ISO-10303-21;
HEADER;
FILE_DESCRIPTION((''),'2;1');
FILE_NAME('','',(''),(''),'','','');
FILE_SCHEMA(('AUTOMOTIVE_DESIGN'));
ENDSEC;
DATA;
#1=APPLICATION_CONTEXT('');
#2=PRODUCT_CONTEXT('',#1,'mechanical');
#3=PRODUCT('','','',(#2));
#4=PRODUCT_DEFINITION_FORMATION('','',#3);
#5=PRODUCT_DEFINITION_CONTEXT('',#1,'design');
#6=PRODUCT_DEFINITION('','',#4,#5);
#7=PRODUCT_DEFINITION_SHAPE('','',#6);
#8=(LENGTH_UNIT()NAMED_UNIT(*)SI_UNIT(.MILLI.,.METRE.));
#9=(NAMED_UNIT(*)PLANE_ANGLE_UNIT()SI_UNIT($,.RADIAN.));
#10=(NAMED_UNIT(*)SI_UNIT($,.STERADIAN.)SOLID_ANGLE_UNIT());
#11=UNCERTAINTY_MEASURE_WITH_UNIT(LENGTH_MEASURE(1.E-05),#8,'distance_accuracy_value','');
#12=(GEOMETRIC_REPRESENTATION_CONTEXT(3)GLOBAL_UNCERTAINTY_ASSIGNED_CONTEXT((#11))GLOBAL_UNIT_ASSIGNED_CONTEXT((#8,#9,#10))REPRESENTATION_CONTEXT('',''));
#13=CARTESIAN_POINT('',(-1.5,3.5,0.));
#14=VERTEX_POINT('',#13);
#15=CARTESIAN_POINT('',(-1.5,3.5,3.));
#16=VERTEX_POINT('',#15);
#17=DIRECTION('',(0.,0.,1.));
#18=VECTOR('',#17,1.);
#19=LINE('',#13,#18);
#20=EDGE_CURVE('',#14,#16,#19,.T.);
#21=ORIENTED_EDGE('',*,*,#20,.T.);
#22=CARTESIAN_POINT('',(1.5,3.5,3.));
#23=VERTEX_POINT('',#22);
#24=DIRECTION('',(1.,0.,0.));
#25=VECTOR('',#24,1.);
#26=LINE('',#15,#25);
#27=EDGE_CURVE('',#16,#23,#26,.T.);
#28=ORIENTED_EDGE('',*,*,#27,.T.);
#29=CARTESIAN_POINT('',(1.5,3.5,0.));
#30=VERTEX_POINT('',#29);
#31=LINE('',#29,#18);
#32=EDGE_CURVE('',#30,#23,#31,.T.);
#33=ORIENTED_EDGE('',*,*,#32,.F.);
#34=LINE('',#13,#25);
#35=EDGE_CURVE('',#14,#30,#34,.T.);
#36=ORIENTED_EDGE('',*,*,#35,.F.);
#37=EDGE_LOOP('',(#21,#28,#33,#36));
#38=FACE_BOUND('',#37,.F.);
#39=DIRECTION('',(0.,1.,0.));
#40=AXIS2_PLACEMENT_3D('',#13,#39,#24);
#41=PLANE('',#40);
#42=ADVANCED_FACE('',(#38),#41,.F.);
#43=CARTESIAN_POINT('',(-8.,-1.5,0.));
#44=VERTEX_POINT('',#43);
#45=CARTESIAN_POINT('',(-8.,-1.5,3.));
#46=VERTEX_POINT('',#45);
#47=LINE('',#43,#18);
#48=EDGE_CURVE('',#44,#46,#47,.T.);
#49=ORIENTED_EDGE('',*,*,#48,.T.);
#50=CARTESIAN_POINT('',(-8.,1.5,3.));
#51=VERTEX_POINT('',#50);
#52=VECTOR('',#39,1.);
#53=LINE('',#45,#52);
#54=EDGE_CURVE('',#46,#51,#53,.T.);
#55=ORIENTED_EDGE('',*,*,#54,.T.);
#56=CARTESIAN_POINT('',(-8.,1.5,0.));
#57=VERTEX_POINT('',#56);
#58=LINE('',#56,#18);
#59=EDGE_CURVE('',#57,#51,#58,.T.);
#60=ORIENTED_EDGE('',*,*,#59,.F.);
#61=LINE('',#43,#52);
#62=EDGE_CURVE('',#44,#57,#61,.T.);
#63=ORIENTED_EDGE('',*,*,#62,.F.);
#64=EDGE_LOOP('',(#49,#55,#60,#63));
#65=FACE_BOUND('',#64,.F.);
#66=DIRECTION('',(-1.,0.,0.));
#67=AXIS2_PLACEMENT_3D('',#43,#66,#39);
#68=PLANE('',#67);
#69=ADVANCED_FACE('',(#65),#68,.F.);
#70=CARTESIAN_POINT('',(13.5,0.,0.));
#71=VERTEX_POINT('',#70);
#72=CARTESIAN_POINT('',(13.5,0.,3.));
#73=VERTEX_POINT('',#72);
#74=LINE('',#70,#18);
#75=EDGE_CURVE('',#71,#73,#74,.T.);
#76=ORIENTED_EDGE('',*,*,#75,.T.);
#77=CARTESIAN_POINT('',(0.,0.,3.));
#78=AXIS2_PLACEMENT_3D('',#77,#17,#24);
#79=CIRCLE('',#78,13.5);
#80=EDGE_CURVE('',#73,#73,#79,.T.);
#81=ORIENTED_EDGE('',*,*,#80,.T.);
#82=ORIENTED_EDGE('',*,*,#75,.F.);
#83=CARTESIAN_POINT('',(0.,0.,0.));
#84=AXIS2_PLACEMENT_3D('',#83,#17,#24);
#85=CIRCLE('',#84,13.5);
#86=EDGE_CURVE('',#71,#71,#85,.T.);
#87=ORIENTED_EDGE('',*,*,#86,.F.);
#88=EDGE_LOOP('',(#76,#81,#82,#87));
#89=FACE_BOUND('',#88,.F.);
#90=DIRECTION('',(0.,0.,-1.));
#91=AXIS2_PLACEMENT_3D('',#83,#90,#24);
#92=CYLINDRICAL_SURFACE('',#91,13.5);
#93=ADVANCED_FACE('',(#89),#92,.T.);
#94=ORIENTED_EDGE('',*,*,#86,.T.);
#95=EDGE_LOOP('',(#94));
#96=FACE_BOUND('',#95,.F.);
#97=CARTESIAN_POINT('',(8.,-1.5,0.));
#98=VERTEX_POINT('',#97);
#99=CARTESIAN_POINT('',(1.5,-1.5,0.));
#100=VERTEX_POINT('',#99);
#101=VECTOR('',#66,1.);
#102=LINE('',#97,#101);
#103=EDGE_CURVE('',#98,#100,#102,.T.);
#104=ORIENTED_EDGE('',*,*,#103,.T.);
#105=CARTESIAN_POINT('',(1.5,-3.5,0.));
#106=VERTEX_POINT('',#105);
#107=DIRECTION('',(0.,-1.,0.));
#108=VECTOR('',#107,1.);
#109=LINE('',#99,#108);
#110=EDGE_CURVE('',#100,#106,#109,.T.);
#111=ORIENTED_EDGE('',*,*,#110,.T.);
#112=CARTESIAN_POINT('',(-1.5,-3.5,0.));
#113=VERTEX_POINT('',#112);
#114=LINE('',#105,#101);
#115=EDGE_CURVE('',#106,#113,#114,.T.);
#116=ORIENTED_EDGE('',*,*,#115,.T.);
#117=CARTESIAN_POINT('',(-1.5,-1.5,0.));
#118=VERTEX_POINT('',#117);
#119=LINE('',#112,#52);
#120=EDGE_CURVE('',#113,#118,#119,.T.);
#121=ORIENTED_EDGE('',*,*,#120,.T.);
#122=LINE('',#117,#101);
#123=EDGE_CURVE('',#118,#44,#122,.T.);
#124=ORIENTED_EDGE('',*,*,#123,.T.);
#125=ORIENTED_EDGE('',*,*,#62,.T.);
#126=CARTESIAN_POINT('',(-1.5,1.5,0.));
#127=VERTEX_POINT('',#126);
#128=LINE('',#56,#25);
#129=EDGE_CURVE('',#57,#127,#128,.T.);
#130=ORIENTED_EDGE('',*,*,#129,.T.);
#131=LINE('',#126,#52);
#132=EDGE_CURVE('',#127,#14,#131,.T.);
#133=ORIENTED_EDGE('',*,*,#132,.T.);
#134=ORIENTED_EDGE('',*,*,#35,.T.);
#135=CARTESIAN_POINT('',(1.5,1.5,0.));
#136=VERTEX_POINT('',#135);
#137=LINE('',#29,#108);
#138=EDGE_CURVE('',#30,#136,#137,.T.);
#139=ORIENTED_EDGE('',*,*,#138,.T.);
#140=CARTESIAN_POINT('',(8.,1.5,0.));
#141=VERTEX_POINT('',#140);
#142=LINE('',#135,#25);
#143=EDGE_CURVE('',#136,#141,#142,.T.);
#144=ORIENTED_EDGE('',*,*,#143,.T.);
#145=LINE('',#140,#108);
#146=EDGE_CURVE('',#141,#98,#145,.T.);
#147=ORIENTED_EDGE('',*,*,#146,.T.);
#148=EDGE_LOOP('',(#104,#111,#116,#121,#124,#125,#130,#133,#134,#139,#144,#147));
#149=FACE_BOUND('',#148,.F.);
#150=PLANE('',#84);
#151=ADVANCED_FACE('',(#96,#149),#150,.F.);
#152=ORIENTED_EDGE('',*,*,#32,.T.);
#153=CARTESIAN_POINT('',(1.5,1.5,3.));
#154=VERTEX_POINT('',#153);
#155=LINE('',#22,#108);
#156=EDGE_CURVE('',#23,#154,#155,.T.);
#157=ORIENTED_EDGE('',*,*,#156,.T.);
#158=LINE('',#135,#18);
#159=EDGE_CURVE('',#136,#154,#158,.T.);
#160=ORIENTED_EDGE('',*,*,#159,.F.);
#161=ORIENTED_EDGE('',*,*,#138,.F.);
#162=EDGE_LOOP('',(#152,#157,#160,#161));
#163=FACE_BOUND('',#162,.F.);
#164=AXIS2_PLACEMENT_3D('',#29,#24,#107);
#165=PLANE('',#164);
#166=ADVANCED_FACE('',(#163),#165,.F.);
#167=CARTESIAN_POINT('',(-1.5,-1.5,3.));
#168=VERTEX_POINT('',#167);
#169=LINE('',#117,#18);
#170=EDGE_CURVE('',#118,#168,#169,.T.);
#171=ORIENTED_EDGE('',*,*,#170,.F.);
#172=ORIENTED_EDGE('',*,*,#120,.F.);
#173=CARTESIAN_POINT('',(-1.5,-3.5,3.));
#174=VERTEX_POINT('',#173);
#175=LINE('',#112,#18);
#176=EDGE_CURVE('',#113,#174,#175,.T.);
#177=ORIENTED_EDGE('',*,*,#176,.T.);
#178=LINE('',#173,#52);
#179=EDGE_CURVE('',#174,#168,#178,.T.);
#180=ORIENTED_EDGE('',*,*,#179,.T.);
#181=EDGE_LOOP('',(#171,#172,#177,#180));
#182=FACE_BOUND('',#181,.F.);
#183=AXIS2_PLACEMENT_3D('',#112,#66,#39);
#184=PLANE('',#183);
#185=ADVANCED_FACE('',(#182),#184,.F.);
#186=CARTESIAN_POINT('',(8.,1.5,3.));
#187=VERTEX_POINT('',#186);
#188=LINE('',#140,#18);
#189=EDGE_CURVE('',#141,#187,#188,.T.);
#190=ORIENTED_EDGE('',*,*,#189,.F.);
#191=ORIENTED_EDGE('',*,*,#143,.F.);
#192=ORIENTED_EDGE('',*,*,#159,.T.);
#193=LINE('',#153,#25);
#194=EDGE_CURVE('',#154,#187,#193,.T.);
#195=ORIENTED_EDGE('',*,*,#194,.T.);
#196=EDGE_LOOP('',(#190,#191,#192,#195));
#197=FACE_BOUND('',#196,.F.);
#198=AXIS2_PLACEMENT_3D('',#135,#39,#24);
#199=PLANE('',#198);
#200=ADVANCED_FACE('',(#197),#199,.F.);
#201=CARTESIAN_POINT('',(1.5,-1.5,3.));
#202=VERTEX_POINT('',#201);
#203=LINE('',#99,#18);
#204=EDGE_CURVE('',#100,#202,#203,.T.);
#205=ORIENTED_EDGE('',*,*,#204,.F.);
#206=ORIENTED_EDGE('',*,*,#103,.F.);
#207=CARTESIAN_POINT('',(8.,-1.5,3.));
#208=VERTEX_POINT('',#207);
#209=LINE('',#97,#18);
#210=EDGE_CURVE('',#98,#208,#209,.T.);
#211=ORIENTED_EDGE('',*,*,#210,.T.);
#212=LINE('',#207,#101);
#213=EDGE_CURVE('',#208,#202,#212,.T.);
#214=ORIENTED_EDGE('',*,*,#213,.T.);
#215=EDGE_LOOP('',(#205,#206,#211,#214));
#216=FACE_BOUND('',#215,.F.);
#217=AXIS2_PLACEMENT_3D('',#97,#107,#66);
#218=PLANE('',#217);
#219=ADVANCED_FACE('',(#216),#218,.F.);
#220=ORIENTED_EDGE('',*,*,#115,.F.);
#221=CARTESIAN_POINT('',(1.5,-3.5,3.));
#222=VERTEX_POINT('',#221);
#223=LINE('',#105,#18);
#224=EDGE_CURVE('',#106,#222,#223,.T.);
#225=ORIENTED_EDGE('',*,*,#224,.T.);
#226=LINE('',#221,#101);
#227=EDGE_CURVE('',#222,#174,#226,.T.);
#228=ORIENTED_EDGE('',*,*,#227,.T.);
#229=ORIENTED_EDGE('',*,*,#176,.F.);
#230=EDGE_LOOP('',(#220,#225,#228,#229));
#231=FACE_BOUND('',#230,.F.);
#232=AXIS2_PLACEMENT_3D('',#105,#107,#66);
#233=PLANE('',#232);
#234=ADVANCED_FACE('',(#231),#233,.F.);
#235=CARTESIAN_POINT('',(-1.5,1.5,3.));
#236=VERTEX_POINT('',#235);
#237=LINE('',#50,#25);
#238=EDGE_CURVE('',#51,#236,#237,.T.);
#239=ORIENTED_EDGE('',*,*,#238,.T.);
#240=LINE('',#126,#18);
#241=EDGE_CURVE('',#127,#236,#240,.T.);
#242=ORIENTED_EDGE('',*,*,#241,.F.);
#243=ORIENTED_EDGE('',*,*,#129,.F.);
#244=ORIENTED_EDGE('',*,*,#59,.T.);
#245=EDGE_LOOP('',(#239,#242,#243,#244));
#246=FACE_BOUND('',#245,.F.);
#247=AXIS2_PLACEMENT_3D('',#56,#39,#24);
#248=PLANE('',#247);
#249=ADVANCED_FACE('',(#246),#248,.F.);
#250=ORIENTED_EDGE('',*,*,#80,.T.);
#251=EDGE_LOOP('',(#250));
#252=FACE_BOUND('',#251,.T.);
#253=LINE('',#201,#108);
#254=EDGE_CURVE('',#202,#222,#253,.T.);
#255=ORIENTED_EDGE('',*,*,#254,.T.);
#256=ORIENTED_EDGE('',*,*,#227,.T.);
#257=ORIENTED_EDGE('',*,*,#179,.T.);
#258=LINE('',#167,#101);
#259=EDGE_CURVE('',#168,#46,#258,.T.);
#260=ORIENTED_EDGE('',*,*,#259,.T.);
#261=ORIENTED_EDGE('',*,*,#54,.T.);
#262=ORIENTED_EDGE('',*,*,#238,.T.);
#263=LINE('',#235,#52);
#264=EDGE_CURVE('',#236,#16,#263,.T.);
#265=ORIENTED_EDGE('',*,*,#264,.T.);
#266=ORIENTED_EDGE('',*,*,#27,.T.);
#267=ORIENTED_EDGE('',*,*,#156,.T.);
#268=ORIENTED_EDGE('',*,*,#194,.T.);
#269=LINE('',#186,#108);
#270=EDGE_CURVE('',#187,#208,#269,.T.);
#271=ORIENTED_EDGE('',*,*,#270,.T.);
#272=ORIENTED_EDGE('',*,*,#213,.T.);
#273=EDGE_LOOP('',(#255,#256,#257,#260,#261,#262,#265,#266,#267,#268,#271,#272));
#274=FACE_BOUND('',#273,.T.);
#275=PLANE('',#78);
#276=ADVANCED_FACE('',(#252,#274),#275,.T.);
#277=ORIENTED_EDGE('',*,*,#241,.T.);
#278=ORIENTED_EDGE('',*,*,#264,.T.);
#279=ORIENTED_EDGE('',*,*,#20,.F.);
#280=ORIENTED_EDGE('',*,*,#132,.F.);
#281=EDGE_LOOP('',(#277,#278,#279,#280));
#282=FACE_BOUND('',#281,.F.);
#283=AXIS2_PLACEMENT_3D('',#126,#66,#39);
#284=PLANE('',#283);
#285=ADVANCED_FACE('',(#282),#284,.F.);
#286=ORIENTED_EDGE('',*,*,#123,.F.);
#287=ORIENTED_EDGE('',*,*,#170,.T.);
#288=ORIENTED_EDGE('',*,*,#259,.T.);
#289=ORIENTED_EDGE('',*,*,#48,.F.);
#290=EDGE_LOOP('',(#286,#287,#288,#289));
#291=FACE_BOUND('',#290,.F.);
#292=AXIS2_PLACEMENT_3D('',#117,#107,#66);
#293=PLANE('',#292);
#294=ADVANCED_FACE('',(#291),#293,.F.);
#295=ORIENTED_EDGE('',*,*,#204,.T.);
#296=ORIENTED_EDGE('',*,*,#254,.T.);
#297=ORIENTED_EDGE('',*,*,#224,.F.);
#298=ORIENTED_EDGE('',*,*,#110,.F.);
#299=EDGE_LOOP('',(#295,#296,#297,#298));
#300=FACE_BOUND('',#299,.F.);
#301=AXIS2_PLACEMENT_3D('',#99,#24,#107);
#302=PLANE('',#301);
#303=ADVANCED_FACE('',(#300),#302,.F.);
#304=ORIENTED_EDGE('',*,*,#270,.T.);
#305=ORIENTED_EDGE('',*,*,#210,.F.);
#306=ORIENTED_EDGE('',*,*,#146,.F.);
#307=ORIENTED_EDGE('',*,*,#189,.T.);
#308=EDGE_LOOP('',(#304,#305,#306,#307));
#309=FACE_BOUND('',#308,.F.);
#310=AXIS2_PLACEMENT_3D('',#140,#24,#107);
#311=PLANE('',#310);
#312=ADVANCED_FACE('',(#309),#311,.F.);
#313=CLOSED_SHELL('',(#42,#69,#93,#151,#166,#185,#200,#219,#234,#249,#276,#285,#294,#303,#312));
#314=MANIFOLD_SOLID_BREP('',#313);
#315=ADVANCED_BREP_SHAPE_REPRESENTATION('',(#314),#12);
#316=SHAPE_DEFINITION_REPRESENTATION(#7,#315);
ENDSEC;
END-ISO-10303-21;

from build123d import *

# Parameters (mm, degrees)
F0_R     = 13.5
F1_DEPTH = 3


with BuildPart() as f1:
    # F0 (on Top) → F1 (new body)
    with BuildSketch(Plane.XY):
        Circle(F0_R)
        Polygon((-1.5, 1.5), (-1.5, 3.5), (1.5, 3.5), (1.5, 1.5), (8, 1.5), (8, -1.5), (1.5, -1.5), (1.5, -3.5), (-1.5, -3.5), (-1.5, -1.5), (-8, -1.5), (-8, 1.5), align=None, mode=Mode.SUBTRACT)
    extrude(amount=F1_DEPTH)


solid = f1.part
